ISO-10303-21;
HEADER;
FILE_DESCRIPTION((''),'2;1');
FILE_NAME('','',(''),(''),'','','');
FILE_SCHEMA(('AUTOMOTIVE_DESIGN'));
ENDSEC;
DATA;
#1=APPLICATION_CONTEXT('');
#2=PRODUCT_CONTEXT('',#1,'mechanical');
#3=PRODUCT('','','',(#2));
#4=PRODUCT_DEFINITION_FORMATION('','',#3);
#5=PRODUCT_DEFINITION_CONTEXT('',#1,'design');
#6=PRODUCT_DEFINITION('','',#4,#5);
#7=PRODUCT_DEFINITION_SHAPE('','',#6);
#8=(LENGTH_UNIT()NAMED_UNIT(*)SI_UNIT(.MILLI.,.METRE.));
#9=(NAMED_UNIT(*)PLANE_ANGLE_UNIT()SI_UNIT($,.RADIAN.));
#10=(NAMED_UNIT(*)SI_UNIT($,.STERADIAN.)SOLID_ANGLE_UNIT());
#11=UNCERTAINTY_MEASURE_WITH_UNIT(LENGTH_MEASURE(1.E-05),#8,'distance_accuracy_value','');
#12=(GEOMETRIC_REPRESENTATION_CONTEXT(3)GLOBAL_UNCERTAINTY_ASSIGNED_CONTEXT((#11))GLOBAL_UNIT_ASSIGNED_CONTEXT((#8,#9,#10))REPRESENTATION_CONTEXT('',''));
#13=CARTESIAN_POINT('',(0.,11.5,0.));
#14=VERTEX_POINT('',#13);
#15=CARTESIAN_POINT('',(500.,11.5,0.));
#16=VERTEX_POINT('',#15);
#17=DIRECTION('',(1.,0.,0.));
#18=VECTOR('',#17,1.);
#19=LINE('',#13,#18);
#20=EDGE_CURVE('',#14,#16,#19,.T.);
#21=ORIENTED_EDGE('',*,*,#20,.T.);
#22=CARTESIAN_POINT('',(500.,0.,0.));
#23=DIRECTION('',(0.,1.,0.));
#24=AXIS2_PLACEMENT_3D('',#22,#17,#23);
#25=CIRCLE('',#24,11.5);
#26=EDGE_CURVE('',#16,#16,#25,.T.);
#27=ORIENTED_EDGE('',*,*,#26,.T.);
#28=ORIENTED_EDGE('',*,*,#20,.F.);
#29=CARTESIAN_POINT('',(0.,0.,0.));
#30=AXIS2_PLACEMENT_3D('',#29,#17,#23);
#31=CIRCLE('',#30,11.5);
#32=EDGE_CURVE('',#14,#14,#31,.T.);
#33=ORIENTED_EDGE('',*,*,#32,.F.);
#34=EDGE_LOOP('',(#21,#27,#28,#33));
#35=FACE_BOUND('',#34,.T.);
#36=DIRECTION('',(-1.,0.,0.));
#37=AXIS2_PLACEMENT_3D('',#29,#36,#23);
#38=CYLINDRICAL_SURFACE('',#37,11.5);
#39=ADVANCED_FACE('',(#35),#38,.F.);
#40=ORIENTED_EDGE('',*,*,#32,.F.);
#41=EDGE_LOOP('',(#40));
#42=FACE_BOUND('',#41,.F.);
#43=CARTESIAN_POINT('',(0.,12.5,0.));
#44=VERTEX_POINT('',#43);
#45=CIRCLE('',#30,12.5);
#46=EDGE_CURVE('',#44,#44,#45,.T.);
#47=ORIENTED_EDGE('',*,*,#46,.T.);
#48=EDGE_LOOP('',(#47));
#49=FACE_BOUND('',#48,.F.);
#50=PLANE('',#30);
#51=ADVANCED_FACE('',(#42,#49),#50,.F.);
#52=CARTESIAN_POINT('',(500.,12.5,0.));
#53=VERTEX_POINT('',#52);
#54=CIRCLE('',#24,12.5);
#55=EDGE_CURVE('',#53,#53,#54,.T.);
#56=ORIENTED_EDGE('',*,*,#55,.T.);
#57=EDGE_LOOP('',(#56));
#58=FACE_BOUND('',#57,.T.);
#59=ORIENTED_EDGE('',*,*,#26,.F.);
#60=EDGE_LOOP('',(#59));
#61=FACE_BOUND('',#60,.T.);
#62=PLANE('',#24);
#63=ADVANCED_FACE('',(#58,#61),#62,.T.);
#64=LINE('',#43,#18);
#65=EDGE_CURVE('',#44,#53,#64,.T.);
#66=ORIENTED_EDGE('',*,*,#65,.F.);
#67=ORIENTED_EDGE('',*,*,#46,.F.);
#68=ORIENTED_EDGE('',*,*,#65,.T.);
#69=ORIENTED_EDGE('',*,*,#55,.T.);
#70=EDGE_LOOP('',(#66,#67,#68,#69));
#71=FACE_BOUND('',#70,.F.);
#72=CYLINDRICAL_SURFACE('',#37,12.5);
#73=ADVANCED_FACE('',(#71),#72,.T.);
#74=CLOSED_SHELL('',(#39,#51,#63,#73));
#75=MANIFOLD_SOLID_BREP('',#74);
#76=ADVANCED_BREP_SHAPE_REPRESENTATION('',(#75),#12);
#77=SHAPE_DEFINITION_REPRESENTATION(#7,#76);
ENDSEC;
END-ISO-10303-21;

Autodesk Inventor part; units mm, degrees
ref_plane "YZ Plane" through (0, 0, 0) normal (1, 0, 0) x (0, 1, 0)
ref_plane "XZ Plane" through (0, 0, 0) normal (0, 1, 0) x (-1, 0, 0)
ref_plane "XY Plane" through (0, 0, 0) normal (0, 0, 1) x (1, 0, 0)
sketch "Sketch1" plane through (0, 0, 0) normal (1, 0, 0) x (0, 1, 0)
  circle A0 centre (0, 0) radius 12.5
  circle A1 centre (0, 0) radius 11.5
  dimension "d0" = 25
  dimension "d1" = 1
extrude "Extrusion1" add sketch "Sketch1" along normal blind 500
properties part number "XZ_Pipe"
